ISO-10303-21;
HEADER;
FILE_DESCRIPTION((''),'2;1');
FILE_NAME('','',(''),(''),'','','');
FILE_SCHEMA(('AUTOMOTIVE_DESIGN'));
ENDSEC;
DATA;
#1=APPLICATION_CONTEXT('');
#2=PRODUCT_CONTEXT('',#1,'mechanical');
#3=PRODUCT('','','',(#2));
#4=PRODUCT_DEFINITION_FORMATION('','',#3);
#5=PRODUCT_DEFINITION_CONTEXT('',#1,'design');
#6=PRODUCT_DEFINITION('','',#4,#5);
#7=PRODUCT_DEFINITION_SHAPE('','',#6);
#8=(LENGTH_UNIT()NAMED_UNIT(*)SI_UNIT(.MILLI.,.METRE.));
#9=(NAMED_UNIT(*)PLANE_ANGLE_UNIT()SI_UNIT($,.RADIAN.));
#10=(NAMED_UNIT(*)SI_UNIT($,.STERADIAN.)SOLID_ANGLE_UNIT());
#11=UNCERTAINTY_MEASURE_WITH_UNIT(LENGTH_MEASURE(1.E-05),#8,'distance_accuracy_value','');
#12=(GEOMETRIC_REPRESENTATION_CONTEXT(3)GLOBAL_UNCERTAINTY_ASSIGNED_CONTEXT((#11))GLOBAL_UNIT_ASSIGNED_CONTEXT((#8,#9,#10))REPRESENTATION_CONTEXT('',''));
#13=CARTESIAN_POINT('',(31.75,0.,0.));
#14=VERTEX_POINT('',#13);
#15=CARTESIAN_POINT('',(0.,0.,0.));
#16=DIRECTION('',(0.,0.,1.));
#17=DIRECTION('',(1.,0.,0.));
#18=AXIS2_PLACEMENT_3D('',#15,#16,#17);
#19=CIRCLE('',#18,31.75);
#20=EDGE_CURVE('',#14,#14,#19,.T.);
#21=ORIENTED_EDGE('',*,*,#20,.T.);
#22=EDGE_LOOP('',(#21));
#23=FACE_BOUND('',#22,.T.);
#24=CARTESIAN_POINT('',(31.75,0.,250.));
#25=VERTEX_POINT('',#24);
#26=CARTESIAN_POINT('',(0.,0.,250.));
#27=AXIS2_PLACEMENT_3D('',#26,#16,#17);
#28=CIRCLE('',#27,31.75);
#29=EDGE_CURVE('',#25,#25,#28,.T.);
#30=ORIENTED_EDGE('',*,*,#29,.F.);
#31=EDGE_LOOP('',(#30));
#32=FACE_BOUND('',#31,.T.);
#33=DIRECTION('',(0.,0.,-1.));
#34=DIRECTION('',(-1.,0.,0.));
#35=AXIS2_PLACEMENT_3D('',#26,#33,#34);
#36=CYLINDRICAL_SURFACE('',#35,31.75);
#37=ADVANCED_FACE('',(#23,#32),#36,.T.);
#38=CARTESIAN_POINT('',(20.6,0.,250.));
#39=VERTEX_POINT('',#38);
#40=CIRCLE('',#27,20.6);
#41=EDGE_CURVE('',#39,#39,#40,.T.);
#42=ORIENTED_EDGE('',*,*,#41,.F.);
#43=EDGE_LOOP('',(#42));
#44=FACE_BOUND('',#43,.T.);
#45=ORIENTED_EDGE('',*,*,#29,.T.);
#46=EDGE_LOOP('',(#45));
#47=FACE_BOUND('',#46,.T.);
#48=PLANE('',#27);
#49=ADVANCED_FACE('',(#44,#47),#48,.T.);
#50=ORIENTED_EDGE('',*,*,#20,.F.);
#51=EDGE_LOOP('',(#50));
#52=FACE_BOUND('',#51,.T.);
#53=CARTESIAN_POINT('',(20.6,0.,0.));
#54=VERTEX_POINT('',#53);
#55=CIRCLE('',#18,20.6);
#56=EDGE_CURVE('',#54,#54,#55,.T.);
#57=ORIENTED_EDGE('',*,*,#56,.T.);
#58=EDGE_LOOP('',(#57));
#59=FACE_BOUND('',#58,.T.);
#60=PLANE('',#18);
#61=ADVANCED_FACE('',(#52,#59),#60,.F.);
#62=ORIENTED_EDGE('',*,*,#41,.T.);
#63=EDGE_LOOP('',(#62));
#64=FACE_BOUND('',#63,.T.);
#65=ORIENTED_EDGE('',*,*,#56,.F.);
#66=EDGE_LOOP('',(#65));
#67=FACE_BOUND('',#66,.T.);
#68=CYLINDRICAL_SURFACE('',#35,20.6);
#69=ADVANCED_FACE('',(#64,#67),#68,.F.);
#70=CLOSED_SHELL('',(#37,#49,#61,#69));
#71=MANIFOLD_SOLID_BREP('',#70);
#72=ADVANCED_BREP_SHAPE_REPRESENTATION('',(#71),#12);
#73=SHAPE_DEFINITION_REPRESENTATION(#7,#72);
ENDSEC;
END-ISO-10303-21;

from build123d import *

# Parameters (mm, degrees)
SKETCH1_R           = 31.75
SKETCH1_R_2         = 20.6
BOSS_EXTRUDE1_DEPTH = 250


with BuildPart() as part:
    # Sketch1 → Boss-Extrude1 (new body)
    with BuildSketch(Plane.XY):
        Circle(SKETCH1_R)
        Circle(SKETCH1_R_2, mode=Mode.SUBTRACT)
    extrude(amount=BOSS_EXTRUDE1_DEPTH)


solid = part.part
